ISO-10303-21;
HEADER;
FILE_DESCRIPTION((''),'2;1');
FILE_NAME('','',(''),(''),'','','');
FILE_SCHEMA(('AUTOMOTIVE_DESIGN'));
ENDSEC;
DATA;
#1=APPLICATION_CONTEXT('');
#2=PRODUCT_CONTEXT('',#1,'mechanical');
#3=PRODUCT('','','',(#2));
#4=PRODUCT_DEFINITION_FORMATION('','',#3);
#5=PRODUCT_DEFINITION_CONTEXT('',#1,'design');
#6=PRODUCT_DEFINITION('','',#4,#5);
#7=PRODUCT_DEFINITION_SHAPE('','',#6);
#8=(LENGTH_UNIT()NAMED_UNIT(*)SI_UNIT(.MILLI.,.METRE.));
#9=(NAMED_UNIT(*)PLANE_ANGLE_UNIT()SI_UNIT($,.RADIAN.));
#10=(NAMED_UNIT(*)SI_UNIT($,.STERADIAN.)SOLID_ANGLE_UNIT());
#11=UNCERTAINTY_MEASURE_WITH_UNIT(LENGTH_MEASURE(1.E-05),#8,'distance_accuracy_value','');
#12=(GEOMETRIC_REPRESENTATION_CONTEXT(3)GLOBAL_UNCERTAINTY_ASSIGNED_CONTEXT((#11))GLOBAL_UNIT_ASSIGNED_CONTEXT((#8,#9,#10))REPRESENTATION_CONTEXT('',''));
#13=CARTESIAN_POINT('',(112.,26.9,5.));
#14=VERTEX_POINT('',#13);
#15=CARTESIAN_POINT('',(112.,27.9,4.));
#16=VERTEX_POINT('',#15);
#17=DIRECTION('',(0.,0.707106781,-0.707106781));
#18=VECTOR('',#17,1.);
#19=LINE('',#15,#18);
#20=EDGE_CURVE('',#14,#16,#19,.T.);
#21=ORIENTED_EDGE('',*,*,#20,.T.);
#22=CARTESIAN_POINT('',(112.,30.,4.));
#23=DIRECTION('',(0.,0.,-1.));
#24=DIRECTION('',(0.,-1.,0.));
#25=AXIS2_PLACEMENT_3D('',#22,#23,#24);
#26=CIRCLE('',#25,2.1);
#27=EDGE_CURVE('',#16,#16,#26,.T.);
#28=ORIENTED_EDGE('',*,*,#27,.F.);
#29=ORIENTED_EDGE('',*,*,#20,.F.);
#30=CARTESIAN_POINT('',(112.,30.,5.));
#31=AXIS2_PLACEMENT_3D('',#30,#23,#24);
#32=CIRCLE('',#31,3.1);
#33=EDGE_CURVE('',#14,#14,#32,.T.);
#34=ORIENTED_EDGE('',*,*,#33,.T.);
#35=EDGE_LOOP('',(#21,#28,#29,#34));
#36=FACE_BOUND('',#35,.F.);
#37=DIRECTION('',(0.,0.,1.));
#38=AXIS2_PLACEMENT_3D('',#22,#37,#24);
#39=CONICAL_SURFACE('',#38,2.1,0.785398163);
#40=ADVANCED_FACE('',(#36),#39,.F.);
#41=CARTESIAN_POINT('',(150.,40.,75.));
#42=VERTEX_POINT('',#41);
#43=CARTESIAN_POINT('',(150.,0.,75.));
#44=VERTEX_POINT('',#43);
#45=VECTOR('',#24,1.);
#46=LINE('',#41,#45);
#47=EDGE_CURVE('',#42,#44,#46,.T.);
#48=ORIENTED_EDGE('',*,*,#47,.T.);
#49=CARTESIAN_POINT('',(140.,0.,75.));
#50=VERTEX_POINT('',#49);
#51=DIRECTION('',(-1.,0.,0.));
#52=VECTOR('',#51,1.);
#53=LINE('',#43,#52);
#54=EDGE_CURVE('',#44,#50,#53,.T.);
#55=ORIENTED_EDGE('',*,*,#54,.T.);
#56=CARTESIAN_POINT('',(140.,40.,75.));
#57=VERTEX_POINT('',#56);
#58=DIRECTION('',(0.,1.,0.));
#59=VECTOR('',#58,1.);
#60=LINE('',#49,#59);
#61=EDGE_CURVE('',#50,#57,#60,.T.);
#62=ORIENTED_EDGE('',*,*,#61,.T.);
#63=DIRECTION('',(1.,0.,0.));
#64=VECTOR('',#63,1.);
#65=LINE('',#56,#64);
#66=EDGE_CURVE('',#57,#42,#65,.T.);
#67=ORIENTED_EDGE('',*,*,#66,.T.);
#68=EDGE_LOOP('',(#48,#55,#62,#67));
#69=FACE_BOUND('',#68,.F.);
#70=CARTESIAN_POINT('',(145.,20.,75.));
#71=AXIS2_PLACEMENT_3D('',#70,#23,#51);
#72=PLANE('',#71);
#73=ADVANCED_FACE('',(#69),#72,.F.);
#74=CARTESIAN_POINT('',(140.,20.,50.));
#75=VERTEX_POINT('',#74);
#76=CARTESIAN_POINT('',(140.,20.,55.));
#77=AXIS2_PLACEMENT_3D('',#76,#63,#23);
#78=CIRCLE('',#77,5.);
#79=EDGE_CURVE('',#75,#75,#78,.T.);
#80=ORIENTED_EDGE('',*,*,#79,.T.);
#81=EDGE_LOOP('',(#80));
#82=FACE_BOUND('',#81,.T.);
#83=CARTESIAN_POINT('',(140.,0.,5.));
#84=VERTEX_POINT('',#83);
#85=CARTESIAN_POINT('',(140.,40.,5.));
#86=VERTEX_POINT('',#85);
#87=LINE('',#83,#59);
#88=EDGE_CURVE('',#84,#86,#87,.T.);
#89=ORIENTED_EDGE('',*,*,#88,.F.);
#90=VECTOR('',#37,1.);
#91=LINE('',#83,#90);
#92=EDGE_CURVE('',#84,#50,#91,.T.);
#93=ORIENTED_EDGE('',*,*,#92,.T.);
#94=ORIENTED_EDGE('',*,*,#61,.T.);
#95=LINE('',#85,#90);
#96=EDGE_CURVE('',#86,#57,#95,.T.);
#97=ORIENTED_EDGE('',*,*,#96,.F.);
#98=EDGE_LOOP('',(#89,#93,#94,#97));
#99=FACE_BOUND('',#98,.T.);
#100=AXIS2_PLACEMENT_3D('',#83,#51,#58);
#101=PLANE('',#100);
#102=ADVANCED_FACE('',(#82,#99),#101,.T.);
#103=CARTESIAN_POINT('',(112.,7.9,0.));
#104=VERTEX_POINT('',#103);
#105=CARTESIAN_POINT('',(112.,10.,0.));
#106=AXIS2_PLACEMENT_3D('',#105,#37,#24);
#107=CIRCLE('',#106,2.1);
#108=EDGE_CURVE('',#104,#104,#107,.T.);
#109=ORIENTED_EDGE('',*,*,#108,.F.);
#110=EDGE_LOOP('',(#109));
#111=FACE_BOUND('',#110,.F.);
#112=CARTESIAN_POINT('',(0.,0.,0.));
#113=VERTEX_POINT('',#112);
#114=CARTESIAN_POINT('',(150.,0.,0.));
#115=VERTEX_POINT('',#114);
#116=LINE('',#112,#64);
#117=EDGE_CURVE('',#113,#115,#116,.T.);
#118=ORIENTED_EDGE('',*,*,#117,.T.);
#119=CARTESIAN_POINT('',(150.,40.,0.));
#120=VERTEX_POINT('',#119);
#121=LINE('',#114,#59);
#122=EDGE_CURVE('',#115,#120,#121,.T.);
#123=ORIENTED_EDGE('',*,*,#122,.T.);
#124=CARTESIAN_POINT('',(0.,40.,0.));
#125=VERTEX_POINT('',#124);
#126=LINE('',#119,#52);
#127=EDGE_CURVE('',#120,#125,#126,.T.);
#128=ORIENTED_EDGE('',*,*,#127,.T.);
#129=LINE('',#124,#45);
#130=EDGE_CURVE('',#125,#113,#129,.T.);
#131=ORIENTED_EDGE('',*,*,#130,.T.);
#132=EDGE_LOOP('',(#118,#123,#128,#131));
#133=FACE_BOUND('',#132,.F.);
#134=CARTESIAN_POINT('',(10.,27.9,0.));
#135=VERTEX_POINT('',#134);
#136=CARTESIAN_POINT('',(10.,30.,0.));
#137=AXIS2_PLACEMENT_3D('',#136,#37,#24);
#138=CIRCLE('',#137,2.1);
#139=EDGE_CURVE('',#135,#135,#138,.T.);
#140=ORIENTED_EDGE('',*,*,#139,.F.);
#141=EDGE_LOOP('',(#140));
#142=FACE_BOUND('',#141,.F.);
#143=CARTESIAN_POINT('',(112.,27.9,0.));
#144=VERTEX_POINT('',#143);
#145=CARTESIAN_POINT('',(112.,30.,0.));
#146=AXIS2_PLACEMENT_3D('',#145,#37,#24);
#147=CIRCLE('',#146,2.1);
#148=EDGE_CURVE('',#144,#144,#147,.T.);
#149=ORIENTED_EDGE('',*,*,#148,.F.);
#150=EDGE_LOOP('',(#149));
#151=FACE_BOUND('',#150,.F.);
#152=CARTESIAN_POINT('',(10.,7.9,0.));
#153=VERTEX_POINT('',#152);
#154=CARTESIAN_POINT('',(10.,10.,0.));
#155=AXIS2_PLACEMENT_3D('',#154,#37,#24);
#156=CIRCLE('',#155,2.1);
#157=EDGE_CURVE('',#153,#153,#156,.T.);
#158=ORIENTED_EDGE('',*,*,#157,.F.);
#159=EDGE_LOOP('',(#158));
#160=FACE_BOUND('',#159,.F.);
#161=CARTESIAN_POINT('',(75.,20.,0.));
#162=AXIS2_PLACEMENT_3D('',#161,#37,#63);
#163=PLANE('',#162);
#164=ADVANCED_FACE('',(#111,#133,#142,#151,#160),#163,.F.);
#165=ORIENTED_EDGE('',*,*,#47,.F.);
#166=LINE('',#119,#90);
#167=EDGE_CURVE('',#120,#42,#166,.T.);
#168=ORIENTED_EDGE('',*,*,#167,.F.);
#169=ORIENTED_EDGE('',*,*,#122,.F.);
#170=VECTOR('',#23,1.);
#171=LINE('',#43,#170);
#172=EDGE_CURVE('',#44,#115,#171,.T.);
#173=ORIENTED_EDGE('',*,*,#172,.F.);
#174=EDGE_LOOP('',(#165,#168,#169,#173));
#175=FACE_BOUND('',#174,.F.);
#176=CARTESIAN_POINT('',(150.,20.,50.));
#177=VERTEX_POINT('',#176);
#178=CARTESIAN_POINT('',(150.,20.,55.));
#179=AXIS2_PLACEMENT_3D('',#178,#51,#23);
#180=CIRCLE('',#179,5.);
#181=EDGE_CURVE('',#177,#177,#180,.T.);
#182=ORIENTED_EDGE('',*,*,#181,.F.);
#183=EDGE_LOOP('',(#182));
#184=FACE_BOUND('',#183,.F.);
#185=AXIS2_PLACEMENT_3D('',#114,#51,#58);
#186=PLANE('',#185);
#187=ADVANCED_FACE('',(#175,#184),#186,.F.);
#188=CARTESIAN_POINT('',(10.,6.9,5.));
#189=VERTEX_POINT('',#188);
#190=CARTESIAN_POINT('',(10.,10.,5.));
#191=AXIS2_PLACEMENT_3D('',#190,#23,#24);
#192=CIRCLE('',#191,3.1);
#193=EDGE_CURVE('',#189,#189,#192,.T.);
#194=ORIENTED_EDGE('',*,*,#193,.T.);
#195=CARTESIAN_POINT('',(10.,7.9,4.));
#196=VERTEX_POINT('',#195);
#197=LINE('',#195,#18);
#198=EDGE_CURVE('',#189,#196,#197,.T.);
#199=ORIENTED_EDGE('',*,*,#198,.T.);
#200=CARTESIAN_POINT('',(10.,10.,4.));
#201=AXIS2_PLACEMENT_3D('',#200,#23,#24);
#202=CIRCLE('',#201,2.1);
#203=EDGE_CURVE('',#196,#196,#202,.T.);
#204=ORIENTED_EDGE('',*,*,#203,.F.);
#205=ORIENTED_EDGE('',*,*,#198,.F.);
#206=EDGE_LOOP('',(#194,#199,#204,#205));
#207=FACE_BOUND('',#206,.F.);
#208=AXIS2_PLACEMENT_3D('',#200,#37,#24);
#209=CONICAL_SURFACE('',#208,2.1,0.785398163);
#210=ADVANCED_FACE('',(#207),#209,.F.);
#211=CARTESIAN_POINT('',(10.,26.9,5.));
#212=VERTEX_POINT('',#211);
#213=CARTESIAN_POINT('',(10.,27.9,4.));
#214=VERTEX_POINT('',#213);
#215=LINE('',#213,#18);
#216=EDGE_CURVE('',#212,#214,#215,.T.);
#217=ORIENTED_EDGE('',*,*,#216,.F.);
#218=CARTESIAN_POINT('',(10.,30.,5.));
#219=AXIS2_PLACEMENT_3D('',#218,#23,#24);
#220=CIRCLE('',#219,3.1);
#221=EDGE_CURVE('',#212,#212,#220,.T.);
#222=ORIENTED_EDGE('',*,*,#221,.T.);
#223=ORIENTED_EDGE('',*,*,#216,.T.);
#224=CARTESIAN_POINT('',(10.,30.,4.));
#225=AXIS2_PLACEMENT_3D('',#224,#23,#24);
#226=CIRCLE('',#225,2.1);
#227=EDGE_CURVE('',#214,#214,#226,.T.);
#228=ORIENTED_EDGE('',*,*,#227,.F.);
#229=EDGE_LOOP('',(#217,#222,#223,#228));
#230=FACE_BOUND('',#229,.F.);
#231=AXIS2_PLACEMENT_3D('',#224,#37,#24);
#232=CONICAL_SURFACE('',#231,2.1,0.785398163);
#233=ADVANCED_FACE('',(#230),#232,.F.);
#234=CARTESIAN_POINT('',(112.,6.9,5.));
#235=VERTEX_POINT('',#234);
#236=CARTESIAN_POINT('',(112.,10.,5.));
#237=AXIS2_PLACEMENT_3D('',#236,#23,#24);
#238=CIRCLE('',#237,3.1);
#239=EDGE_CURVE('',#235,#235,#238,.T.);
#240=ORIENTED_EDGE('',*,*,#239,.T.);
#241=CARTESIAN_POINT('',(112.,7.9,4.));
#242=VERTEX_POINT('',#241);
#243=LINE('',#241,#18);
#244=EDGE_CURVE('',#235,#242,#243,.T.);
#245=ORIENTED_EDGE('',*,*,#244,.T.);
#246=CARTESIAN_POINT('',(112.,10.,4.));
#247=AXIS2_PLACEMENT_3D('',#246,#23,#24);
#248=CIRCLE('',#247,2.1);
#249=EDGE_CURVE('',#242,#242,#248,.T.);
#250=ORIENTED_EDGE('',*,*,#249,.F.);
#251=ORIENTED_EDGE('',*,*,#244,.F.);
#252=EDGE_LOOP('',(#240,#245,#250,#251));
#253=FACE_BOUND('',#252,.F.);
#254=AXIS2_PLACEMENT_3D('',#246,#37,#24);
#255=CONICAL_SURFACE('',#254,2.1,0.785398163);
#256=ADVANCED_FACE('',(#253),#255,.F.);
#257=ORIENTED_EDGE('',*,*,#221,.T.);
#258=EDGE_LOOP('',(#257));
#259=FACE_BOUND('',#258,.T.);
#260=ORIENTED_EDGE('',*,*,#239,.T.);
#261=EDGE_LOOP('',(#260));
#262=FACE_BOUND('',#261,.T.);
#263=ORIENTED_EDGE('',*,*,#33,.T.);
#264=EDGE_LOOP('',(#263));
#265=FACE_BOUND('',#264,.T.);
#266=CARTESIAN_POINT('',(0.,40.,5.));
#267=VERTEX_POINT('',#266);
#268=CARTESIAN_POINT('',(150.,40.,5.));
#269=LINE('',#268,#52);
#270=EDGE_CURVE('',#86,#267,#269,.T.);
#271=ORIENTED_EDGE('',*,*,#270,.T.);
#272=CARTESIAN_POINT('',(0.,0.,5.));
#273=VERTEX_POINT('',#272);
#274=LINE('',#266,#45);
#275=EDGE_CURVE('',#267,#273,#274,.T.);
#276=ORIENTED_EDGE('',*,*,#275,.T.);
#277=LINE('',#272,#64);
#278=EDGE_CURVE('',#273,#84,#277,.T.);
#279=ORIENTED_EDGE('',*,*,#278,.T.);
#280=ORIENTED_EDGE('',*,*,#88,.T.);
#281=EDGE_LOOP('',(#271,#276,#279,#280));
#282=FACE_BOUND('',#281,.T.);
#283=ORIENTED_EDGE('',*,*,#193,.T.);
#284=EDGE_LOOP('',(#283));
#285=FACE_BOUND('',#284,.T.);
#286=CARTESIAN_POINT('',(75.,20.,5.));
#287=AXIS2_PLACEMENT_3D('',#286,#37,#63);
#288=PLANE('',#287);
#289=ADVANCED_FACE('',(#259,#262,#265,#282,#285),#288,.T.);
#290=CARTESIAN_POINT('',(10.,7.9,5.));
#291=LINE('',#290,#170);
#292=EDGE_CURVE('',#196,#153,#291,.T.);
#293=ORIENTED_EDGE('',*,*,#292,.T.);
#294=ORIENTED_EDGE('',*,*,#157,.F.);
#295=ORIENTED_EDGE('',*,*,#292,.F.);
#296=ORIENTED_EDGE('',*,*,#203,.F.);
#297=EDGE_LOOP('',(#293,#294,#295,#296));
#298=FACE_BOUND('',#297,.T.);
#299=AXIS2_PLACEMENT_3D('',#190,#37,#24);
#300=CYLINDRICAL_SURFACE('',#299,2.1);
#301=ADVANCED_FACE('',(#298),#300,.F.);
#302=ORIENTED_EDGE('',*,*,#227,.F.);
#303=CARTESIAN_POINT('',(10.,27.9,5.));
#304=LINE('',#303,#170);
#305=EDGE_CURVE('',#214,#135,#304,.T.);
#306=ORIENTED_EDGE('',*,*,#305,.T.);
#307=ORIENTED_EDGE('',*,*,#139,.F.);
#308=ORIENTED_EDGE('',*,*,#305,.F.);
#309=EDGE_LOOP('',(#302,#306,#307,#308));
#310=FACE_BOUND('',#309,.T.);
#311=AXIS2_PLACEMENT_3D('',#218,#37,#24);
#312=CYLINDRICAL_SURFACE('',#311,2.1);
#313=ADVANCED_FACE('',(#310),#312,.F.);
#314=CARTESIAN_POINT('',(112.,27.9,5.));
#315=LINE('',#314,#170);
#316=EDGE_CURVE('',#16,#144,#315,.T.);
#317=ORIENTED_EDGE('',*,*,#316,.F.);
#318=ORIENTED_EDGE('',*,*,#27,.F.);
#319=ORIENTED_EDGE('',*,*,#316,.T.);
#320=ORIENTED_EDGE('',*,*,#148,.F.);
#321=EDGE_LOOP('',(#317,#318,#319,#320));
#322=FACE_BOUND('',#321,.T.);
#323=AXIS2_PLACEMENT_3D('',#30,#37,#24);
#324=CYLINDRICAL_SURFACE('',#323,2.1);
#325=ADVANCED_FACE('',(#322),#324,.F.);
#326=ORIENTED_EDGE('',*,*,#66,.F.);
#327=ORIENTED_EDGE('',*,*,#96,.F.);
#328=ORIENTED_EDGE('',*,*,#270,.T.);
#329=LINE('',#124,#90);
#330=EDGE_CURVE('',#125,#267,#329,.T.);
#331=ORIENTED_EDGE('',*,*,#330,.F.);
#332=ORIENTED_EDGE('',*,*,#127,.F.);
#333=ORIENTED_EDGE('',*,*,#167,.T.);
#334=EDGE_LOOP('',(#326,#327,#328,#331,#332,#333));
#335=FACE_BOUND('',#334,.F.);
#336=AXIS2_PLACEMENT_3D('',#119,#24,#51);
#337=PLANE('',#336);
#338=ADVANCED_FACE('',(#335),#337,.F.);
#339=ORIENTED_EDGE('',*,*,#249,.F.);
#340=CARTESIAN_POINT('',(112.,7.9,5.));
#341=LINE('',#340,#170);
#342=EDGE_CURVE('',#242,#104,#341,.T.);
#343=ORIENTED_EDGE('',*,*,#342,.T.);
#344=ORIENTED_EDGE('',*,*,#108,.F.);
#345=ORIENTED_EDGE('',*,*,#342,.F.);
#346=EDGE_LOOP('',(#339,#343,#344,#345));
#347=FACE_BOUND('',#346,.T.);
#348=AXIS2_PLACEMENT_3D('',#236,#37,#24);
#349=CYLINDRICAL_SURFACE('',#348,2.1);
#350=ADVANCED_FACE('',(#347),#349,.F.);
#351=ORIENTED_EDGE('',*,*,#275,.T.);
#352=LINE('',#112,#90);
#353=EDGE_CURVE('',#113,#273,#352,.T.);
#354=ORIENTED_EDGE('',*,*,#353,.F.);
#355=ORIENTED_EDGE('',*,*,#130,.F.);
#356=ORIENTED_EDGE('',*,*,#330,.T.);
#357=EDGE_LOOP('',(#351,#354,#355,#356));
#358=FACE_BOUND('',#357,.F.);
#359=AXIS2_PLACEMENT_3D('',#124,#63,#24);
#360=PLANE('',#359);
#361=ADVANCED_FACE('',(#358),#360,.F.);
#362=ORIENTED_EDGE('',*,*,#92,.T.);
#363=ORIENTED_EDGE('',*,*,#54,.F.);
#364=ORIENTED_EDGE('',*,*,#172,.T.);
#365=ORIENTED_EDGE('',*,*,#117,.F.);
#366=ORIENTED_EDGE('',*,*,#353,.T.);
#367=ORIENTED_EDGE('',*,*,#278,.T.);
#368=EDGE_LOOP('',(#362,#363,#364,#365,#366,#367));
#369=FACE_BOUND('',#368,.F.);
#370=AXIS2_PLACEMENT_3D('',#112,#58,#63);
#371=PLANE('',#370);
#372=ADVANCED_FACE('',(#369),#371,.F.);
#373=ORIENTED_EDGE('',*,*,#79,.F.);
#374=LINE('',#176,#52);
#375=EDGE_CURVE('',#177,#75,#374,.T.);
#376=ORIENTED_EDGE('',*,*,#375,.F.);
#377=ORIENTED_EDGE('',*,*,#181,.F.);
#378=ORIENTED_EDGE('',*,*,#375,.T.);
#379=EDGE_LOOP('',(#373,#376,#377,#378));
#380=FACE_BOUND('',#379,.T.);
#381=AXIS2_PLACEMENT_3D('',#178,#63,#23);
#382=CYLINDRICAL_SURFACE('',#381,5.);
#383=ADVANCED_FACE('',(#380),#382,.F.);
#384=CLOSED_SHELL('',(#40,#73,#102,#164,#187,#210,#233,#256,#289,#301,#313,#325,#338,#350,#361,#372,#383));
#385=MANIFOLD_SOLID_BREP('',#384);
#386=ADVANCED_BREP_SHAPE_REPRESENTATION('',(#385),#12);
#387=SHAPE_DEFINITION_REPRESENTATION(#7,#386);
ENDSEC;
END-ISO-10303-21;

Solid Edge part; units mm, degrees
sketch "Sketch1" plane through (0, 0, 0) normal (0, 0, 1) x (1, 0, 0)
  line L0 (150, 0) -> (150, 40)
  line L1 (150, 40) -> (0, 40)
  line L2 (0, 40) -> (0, 0)
  line L3 (0, 0) -> (150, 0)
extrude "Protrusion1" add sketch "Sketch1" along normal blind 5
sketch "Sketch2" plane through (75, 20, 5) normal (0, 0, 1) x (1, 0, 0)
  line L0 (65, 20) -> (75, 20)
  line L1 (75, 20) -> (75, -20)
  line L2 (75, -20) -> (65, -20)
  line L3 (65, -20) -> (65, 20)
extrude "Extrusionsausprägung_2" add sketch "Sketch2" along normal blind 70
hole "Bohrung_1" at (10, 30, 5) direction (0, 0, -1) diameter 4.2 end up to next start chamfer 1 start chamfer angle 45
hole "Hole1" at (10, 10, 5) direction (0, 0, -1) diameter 4.2 end up to next start chamfer 1 start chamfer angle 45
hole "Hole2" at (112, 10, 5) direction (0, 0, -1) diameter 4.2 end up to next start chamfer 1 start chamfer angle 45
hole "Hole3" at (112, 30, 5) direction (0, 0, -1) diameter 4.2 end up to next start chamfer 1 start chamfer angle 45
hole "Bohrung_6" at (150, 20, 55) direction (-1, 0, 0) diameter 10 end up to next
